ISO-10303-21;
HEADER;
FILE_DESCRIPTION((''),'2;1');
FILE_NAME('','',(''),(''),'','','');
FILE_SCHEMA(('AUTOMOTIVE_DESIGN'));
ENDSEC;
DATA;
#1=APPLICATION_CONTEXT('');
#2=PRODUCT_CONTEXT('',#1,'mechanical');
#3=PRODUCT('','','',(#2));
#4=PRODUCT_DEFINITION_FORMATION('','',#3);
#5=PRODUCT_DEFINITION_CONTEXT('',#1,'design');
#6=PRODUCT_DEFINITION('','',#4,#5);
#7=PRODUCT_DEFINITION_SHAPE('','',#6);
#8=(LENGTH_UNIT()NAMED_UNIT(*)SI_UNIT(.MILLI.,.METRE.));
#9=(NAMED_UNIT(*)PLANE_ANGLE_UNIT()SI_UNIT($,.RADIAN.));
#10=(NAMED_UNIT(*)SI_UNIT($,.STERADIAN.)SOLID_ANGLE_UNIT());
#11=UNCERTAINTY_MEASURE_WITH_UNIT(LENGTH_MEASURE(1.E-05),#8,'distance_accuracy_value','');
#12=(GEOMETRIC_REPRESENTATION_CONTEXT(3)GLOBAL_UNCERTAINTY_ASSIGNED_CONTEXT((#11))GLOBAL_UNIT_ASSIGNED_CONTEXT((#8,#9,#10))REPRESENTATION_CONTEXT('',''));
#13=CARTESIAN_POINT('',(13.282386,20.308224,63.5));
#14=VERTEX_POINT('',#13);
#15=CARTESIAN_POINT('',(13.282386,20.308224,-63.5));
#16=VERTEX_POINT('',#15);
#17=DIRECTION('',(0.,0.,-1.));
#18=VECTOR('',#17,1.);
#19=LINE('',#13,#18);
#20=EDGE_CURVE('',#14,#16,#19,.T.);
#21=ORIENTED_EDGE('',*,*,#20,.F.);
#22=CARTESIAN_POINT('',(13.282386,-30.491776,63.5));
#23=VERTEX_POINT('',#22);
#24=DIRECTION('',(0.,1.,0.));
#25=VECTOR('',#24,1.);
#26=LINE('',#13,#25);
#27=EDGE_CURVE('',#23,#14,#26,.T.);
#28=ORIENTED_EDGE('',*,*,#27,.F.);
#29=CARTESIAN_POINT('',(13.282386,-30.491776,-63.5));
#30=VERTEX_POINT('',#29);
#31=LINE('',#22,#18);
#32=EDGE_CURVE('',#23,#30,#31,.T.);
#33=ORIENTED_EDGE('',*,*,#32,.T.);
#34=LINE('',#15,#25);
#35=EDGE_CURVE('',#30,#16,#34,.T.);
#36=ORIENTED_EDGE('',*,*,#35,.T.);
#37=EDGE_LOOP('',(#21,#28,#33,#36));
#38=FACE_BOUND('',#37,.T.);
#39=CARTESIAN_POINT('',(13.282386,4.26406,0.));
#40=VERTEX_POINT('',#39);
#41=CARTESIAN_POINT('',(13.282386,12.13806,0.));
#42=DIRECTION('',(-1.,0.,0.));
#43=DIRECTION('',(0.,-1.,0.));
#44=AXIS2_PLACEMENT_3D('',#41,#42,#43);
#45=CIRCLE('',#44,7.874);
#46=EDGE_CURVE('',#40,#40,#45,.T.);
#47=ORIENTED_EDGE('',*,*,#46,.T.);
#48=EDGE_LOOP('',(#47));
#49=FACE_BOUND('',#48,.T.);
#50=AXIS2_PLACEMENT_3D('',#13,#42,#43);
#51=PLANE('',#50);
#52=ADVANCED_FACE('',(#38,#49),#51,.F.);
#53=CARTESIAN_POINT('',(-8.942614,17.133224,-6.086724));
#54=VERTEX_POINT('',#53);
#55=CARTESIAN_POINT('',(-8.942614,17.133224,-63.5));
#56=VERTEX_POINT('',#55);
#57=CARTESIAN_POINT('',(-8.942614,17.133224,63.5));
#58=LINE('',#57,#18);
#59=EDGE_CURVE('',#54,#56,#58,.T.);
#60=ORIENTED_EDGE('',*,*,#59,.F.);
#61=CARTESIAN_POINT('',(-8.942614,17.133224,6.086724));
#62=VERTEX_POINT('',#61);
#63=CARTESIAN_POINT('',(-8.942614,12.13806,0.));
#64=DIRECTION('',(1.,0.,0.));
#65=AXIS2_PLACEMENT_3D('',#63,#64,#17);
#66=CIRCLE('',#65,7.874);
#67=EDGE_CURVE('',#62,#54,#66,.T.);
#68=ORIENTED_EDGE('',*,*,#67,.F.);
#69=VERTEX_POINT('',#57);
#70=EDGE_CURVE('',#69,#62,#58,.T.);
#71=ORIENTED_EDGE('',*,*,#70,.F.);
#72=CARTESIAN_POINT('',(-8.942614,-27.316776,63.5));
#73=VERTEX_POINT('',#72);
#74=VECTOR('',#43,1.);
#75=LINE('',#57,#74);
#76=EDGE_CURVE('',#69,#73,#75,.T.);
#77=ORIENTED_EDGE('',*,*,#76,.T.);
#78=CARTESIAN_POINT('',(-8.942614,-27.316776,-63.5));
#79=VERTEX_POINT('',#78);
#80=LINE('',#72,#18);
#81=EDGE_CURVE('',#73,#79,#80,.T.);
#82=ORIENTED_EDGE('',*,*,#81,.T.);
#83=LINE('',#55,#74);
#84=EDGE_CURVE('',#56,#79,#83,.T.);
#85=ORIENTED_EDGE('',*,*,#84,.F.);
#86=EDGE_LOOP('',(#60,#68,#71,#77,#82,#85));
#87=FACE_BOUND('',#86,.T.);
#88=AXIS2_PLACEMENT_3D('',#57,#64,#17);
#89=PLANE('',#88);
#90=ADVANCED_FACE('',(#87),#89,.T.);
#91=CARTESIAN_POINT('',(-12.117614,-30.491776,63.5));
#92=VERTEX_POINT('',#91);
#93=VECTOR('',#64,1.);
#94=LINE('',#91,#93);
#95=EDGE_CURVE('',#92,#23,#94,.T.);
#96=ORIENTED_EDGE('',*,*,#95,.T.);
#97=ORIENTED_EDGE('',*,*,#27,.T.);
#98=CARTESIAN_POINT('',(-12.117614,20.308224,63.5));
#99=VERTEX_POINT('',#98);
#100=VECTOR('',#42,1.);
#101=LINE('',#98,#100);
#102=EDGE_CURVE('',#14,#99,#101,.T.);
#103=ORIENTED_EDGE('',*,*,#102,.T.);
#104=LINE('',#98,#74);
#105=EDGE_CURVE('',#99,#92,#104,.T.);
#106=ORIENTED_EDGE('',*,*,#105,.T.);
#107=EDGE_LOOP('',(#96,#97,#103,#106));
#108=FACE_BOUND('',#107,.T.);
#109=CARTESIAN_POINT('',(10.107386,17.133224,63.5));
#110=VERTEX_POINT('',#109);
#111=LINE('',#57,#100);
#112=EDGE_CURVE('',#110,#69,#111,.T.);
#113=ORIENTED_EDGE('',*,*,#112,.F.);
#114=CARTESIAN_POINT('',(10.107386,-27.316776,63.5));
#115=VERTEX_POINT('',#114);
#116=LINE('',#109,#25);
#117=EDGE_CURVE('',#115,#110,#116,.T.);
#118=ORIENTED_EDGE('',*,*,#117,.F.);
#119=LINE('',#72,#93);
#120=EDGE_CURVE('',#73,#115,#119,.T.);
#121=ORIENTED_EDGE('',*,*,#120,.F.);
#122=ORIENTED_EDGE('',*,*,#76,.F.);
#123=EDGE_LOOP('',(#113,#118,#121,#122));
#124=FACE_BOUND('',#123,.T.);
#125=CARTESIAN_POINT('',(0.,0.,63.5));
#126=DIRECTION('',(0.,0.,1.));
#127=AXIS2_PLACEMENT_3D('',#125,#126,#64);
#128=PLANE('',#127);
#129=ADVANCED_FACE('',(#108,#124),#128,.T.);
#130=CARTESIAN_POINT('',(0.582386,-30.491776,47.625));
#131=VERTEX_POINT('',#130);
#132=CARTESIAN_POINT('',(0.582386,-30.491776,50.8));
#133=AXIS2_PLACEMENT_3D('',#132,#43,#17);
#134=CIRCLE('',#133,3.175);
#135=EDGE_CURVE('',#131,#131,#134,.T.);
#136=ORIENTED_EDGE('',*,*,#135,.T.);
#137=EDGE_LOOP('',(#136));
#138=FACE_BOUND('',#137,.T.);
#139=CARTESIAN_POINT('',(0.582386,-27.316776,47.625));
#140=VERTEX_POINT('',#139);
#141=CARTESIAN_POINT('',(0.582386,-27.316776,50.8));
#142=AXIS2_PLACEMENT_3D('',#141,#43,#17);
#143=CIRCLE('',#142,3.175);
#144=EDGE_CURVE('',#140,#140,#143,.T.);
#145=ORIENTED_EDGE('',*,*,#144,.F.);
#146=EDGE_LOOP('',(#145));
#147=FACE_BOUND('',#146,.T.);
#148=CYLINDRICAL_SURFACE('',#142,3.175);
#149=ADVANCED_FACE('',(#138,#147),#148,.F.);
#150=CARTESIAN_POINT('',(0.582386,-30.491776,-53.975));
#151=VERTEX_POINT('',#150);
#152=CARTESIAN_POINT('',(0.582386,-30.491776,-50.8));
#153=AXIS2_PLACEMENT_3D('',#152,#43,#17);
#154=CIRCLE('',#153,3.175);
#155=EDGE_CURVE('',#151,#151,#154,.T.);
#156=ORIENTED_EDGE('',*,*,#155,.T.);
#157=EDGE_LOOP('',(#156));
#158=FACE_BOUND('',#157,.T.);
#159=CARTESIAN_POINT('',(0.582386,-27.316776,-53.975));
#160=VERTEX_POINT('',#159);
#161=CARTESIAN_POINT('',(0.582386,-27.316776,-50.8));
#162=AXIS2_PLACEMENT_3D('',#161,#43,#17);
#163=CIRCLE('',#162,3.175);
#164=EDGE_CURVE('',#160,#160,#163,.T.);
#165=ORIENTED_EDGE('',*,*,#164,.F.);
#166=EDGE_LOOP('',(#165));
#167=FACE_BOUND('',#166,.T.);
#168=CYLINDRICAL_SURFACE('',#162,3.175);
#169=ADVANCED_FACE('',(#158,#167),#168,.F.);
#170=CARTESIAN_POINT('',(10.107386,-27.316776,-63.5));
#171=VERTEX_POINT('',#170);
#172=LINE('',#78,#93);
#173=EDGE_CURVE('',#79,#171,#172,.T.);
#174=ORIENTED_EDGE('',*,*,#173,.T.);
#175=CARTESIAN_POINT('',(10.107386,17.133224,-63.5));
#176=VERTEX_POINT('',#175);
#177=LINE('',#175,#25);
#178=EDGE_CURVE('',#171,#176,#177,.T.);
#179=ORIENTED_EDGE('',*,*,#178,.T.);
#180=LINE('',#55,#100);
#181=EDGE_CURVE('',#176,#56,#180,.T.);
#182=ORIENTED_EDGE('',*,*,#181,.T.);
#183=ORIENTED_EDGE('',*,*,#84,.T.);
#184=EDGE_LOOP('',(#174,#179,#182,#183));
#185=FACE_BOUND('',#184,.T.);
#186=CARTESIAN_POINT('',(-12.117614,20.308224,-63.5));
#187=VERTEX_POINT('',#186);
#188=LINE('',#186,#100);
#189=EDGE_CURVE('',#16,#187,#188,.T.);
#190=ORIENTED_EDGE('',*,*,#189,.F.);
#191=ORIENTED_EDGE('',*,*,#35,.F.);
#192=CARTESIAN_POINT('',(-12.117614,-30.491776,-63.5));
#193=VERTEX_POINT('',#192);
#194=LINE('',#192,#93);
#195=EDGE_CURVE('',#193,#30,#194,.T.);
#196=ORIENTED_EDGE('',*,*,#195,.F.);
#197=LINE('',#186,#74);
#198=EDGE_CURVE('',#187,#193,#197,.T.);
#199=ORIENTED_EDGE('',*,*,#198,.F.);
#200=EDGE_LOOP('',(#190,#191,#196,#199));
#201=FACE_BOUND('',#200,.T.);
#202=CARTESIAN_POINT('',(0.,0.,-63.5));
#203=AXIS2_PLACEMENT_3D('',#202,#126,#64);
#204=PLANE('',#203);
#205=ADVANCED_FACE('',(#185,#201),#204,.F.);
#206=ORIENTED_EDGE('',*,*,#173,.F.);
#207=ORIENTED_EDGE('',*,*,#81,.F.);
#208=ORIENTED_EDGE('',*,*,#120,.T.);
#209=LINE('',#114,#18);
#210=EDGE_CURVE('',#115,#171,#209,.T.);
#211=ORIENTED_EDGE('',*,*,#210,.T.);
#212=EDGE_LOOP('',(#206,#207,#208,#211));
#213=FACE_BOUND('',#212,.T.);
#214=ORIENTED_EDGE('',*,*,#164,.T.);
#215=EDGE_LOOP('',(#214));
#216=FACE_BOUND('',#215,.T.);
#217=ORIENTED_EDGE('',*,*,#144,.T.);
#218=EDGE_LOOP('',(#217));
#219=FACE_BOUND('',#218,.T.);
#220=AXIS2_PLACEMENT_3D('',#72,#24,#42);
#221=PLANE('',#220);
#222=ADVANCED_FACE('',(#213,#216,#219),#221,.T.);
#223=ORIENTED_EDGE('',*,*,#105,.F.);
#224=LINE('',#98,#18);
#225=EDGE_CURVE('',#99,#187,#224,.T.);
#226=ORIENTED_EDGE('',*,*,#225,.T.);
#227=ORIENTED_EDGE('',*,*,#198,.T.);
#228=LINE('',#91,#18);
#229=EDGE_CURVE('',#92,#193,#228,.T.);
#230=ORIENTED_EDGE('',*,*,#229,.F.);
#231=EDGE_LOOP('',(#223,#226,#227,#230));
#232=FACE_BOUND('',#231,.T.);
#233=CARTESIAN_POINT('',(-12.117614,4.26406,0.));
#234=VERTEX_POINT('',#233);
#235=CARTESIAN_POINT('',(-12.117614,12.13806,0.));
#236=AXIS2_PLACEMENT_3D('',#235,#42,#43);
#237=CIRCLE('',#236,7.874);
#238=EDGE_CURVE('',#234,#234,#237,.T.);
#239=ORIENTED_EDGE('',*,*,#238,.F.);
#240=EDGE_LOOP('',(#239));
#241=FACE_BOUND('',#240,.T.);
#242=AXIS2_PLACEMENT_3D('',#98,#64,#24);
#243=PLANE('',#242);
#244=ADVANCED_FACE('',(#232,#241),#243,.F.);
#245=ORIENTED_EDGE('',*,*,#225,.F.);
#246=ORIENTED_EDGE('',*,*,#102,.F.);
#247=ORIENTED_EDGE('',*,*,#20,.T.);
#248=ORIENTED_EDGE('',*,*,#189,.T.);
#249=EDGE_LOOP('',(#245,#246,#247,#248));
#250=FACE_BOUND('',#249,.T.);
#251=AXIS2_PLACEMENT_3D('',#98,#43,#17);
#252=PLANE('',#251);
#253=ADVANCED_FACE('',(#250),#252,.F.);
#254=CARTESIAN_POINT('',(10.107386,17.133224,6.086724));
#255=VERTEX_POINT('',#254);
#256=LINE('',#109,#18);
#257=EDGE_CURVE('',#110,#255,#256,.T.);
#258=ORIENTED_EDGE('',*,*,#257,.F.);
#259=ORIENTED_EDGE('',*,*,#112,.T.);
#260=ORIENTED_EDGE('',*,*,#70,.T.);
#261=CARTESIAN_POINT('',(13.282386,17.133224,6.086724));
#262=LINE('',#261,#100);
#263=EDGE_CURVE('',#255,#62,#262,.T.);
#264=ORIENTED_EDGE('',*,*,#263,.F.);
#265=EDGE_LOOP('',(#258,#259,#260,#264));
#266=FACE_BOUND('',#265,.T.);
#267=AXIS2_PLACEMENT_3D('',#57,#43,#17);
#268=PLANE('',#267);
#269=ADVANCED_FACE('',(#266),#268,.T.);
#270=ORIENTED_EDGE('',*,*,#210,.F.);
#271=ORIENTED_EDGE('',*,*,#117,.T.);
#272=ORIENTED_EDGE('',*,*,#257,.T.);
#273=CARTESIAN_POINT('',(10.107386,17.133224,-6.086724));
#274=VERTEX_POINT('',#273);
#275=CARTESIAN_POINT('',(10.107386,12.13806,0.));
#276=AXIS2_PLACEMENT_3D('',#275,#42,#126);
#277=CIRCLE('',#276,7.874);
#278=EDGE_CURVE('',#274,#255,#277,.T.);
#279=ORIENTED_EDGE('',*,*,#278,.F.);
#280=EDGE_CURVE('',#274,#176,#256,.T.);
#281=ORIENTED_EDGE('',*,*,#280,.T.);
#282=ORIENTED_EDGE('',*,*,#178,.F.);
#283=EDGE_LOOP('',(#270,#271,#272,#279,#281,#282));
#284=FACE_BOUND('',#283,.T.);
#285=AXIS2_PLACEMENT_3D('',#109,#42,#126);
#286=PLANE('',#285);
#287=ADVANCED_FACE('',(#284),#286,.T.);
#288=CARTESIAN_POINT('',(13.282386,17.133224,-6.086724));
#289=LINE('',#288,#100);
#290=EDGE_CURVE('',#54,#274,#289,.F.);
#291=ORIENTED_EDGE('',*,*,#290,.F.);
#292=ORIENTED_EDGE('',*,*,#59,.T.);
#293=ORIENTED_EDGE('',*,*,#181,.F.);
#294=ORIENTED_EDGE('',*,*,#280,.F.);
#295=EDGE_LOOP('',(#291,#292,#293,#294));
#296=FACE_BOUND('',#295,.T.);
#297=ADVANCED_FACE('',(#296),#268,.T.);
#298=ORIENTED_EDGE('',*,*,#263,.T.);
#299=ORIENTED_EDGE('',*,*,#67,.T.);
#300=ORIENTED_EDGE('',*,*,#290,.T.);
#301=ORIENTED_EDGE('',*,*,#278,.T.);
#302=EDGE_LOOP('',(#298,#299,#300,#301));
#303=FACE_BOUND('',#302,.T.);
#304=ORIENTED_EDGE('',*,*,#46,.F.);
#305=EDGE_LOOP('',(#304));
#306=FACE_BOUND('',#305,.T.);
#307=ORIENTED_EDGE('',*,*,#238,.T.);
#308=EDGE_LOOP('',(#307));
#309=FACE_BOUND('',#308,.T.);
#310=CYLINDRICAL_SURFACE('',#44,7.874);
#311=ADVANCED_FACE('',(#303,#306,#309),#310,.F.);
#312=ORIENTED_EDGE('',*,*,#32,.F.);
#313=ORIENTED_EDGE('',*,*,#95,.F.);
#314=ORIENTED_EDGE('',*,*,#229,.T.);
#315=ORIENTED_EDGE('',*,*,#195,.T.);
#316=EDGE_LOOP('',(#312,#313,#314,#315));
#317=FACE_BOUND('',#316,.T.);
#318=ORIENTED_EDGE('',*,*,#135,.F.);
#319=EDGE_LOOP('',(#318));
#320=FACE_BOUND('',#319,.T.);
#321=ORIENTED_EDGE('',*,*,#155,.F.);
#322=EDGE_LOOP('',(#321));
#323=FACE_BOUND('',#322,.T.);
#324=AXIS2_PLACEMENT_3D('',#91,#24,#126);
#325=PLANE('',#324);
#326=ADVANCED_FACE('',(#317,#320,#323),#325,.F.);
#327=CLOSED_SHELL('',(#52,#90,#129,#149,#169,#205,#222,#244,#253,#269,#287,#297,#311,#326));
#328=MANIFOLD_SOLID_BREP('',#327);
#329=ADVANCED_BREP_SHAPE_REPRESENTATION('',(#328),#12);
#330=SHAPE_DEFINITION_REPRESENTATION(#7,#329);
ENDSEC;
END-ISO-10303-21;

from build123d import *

# Parameters (mm, degrees)
SKETCH1_W           = 25.4
SKETCH1_H           = 50.8
SKETCH1_W_2         = 19.05
SKETCH1_H_2         = 44.45
BOSS_EXTRUDE1_DEPTH = 63.5
SKETCH2_R           = 7.874
CUT_EXTRUDE1_DEPTH  = 25.4
SKETCH3_R           = 3.175
CUT_EXTRUDE2_DEPTH  = 3.175


with BuildPart() as part:
    # Sketch1 → Boss-Extrude1 (new, symmetric)
    with BuildSketch(Plane.XY):
        with Locations((0.582385658, -5.091775964)):
            Rectangle(SKETCH1_W, SKETCH1_H)
        with Locations((0.582385658, -5.091775964)):
            Rectangle(SKETCH1_W_2, SKETCH1_H_2, mode=Mode.SUBTRACT)
    extrude(amount=BOSS_EXTRUDE1_DEPTH, both=True)

    # Sketch2 → Cut-Extrude1 (cut)
    with BuildSketch(Plane.ZY.offset(12.117614342)):
        with Locations(Location((0, 12.138059528, 0), (0, 0, 270))):
            Circle(SKETCH2_R)
    extrude(amount=-CUT_EXTRUDE1_DEPTH, mode=Mode.SUBTRACT)

    # Sketch3 → Cut-Extrude2 (cut)
    with BuildSketch(Plane.XZ.offset(30.491775964)):
        with Locations(Location((0.582385658, 50.8, 0), (0, 0, 270))):
            Circle(SKETCH3_R)
        with Locations(Location((0.582385658, -50.8, 0), (0, 0, 270))):
            Circle(SKETCH3_R)
    extrude(amount=-CUT_EXTRUDE2_DEPTH, mode=Mode.SUBTRACT)


solid = part.part
